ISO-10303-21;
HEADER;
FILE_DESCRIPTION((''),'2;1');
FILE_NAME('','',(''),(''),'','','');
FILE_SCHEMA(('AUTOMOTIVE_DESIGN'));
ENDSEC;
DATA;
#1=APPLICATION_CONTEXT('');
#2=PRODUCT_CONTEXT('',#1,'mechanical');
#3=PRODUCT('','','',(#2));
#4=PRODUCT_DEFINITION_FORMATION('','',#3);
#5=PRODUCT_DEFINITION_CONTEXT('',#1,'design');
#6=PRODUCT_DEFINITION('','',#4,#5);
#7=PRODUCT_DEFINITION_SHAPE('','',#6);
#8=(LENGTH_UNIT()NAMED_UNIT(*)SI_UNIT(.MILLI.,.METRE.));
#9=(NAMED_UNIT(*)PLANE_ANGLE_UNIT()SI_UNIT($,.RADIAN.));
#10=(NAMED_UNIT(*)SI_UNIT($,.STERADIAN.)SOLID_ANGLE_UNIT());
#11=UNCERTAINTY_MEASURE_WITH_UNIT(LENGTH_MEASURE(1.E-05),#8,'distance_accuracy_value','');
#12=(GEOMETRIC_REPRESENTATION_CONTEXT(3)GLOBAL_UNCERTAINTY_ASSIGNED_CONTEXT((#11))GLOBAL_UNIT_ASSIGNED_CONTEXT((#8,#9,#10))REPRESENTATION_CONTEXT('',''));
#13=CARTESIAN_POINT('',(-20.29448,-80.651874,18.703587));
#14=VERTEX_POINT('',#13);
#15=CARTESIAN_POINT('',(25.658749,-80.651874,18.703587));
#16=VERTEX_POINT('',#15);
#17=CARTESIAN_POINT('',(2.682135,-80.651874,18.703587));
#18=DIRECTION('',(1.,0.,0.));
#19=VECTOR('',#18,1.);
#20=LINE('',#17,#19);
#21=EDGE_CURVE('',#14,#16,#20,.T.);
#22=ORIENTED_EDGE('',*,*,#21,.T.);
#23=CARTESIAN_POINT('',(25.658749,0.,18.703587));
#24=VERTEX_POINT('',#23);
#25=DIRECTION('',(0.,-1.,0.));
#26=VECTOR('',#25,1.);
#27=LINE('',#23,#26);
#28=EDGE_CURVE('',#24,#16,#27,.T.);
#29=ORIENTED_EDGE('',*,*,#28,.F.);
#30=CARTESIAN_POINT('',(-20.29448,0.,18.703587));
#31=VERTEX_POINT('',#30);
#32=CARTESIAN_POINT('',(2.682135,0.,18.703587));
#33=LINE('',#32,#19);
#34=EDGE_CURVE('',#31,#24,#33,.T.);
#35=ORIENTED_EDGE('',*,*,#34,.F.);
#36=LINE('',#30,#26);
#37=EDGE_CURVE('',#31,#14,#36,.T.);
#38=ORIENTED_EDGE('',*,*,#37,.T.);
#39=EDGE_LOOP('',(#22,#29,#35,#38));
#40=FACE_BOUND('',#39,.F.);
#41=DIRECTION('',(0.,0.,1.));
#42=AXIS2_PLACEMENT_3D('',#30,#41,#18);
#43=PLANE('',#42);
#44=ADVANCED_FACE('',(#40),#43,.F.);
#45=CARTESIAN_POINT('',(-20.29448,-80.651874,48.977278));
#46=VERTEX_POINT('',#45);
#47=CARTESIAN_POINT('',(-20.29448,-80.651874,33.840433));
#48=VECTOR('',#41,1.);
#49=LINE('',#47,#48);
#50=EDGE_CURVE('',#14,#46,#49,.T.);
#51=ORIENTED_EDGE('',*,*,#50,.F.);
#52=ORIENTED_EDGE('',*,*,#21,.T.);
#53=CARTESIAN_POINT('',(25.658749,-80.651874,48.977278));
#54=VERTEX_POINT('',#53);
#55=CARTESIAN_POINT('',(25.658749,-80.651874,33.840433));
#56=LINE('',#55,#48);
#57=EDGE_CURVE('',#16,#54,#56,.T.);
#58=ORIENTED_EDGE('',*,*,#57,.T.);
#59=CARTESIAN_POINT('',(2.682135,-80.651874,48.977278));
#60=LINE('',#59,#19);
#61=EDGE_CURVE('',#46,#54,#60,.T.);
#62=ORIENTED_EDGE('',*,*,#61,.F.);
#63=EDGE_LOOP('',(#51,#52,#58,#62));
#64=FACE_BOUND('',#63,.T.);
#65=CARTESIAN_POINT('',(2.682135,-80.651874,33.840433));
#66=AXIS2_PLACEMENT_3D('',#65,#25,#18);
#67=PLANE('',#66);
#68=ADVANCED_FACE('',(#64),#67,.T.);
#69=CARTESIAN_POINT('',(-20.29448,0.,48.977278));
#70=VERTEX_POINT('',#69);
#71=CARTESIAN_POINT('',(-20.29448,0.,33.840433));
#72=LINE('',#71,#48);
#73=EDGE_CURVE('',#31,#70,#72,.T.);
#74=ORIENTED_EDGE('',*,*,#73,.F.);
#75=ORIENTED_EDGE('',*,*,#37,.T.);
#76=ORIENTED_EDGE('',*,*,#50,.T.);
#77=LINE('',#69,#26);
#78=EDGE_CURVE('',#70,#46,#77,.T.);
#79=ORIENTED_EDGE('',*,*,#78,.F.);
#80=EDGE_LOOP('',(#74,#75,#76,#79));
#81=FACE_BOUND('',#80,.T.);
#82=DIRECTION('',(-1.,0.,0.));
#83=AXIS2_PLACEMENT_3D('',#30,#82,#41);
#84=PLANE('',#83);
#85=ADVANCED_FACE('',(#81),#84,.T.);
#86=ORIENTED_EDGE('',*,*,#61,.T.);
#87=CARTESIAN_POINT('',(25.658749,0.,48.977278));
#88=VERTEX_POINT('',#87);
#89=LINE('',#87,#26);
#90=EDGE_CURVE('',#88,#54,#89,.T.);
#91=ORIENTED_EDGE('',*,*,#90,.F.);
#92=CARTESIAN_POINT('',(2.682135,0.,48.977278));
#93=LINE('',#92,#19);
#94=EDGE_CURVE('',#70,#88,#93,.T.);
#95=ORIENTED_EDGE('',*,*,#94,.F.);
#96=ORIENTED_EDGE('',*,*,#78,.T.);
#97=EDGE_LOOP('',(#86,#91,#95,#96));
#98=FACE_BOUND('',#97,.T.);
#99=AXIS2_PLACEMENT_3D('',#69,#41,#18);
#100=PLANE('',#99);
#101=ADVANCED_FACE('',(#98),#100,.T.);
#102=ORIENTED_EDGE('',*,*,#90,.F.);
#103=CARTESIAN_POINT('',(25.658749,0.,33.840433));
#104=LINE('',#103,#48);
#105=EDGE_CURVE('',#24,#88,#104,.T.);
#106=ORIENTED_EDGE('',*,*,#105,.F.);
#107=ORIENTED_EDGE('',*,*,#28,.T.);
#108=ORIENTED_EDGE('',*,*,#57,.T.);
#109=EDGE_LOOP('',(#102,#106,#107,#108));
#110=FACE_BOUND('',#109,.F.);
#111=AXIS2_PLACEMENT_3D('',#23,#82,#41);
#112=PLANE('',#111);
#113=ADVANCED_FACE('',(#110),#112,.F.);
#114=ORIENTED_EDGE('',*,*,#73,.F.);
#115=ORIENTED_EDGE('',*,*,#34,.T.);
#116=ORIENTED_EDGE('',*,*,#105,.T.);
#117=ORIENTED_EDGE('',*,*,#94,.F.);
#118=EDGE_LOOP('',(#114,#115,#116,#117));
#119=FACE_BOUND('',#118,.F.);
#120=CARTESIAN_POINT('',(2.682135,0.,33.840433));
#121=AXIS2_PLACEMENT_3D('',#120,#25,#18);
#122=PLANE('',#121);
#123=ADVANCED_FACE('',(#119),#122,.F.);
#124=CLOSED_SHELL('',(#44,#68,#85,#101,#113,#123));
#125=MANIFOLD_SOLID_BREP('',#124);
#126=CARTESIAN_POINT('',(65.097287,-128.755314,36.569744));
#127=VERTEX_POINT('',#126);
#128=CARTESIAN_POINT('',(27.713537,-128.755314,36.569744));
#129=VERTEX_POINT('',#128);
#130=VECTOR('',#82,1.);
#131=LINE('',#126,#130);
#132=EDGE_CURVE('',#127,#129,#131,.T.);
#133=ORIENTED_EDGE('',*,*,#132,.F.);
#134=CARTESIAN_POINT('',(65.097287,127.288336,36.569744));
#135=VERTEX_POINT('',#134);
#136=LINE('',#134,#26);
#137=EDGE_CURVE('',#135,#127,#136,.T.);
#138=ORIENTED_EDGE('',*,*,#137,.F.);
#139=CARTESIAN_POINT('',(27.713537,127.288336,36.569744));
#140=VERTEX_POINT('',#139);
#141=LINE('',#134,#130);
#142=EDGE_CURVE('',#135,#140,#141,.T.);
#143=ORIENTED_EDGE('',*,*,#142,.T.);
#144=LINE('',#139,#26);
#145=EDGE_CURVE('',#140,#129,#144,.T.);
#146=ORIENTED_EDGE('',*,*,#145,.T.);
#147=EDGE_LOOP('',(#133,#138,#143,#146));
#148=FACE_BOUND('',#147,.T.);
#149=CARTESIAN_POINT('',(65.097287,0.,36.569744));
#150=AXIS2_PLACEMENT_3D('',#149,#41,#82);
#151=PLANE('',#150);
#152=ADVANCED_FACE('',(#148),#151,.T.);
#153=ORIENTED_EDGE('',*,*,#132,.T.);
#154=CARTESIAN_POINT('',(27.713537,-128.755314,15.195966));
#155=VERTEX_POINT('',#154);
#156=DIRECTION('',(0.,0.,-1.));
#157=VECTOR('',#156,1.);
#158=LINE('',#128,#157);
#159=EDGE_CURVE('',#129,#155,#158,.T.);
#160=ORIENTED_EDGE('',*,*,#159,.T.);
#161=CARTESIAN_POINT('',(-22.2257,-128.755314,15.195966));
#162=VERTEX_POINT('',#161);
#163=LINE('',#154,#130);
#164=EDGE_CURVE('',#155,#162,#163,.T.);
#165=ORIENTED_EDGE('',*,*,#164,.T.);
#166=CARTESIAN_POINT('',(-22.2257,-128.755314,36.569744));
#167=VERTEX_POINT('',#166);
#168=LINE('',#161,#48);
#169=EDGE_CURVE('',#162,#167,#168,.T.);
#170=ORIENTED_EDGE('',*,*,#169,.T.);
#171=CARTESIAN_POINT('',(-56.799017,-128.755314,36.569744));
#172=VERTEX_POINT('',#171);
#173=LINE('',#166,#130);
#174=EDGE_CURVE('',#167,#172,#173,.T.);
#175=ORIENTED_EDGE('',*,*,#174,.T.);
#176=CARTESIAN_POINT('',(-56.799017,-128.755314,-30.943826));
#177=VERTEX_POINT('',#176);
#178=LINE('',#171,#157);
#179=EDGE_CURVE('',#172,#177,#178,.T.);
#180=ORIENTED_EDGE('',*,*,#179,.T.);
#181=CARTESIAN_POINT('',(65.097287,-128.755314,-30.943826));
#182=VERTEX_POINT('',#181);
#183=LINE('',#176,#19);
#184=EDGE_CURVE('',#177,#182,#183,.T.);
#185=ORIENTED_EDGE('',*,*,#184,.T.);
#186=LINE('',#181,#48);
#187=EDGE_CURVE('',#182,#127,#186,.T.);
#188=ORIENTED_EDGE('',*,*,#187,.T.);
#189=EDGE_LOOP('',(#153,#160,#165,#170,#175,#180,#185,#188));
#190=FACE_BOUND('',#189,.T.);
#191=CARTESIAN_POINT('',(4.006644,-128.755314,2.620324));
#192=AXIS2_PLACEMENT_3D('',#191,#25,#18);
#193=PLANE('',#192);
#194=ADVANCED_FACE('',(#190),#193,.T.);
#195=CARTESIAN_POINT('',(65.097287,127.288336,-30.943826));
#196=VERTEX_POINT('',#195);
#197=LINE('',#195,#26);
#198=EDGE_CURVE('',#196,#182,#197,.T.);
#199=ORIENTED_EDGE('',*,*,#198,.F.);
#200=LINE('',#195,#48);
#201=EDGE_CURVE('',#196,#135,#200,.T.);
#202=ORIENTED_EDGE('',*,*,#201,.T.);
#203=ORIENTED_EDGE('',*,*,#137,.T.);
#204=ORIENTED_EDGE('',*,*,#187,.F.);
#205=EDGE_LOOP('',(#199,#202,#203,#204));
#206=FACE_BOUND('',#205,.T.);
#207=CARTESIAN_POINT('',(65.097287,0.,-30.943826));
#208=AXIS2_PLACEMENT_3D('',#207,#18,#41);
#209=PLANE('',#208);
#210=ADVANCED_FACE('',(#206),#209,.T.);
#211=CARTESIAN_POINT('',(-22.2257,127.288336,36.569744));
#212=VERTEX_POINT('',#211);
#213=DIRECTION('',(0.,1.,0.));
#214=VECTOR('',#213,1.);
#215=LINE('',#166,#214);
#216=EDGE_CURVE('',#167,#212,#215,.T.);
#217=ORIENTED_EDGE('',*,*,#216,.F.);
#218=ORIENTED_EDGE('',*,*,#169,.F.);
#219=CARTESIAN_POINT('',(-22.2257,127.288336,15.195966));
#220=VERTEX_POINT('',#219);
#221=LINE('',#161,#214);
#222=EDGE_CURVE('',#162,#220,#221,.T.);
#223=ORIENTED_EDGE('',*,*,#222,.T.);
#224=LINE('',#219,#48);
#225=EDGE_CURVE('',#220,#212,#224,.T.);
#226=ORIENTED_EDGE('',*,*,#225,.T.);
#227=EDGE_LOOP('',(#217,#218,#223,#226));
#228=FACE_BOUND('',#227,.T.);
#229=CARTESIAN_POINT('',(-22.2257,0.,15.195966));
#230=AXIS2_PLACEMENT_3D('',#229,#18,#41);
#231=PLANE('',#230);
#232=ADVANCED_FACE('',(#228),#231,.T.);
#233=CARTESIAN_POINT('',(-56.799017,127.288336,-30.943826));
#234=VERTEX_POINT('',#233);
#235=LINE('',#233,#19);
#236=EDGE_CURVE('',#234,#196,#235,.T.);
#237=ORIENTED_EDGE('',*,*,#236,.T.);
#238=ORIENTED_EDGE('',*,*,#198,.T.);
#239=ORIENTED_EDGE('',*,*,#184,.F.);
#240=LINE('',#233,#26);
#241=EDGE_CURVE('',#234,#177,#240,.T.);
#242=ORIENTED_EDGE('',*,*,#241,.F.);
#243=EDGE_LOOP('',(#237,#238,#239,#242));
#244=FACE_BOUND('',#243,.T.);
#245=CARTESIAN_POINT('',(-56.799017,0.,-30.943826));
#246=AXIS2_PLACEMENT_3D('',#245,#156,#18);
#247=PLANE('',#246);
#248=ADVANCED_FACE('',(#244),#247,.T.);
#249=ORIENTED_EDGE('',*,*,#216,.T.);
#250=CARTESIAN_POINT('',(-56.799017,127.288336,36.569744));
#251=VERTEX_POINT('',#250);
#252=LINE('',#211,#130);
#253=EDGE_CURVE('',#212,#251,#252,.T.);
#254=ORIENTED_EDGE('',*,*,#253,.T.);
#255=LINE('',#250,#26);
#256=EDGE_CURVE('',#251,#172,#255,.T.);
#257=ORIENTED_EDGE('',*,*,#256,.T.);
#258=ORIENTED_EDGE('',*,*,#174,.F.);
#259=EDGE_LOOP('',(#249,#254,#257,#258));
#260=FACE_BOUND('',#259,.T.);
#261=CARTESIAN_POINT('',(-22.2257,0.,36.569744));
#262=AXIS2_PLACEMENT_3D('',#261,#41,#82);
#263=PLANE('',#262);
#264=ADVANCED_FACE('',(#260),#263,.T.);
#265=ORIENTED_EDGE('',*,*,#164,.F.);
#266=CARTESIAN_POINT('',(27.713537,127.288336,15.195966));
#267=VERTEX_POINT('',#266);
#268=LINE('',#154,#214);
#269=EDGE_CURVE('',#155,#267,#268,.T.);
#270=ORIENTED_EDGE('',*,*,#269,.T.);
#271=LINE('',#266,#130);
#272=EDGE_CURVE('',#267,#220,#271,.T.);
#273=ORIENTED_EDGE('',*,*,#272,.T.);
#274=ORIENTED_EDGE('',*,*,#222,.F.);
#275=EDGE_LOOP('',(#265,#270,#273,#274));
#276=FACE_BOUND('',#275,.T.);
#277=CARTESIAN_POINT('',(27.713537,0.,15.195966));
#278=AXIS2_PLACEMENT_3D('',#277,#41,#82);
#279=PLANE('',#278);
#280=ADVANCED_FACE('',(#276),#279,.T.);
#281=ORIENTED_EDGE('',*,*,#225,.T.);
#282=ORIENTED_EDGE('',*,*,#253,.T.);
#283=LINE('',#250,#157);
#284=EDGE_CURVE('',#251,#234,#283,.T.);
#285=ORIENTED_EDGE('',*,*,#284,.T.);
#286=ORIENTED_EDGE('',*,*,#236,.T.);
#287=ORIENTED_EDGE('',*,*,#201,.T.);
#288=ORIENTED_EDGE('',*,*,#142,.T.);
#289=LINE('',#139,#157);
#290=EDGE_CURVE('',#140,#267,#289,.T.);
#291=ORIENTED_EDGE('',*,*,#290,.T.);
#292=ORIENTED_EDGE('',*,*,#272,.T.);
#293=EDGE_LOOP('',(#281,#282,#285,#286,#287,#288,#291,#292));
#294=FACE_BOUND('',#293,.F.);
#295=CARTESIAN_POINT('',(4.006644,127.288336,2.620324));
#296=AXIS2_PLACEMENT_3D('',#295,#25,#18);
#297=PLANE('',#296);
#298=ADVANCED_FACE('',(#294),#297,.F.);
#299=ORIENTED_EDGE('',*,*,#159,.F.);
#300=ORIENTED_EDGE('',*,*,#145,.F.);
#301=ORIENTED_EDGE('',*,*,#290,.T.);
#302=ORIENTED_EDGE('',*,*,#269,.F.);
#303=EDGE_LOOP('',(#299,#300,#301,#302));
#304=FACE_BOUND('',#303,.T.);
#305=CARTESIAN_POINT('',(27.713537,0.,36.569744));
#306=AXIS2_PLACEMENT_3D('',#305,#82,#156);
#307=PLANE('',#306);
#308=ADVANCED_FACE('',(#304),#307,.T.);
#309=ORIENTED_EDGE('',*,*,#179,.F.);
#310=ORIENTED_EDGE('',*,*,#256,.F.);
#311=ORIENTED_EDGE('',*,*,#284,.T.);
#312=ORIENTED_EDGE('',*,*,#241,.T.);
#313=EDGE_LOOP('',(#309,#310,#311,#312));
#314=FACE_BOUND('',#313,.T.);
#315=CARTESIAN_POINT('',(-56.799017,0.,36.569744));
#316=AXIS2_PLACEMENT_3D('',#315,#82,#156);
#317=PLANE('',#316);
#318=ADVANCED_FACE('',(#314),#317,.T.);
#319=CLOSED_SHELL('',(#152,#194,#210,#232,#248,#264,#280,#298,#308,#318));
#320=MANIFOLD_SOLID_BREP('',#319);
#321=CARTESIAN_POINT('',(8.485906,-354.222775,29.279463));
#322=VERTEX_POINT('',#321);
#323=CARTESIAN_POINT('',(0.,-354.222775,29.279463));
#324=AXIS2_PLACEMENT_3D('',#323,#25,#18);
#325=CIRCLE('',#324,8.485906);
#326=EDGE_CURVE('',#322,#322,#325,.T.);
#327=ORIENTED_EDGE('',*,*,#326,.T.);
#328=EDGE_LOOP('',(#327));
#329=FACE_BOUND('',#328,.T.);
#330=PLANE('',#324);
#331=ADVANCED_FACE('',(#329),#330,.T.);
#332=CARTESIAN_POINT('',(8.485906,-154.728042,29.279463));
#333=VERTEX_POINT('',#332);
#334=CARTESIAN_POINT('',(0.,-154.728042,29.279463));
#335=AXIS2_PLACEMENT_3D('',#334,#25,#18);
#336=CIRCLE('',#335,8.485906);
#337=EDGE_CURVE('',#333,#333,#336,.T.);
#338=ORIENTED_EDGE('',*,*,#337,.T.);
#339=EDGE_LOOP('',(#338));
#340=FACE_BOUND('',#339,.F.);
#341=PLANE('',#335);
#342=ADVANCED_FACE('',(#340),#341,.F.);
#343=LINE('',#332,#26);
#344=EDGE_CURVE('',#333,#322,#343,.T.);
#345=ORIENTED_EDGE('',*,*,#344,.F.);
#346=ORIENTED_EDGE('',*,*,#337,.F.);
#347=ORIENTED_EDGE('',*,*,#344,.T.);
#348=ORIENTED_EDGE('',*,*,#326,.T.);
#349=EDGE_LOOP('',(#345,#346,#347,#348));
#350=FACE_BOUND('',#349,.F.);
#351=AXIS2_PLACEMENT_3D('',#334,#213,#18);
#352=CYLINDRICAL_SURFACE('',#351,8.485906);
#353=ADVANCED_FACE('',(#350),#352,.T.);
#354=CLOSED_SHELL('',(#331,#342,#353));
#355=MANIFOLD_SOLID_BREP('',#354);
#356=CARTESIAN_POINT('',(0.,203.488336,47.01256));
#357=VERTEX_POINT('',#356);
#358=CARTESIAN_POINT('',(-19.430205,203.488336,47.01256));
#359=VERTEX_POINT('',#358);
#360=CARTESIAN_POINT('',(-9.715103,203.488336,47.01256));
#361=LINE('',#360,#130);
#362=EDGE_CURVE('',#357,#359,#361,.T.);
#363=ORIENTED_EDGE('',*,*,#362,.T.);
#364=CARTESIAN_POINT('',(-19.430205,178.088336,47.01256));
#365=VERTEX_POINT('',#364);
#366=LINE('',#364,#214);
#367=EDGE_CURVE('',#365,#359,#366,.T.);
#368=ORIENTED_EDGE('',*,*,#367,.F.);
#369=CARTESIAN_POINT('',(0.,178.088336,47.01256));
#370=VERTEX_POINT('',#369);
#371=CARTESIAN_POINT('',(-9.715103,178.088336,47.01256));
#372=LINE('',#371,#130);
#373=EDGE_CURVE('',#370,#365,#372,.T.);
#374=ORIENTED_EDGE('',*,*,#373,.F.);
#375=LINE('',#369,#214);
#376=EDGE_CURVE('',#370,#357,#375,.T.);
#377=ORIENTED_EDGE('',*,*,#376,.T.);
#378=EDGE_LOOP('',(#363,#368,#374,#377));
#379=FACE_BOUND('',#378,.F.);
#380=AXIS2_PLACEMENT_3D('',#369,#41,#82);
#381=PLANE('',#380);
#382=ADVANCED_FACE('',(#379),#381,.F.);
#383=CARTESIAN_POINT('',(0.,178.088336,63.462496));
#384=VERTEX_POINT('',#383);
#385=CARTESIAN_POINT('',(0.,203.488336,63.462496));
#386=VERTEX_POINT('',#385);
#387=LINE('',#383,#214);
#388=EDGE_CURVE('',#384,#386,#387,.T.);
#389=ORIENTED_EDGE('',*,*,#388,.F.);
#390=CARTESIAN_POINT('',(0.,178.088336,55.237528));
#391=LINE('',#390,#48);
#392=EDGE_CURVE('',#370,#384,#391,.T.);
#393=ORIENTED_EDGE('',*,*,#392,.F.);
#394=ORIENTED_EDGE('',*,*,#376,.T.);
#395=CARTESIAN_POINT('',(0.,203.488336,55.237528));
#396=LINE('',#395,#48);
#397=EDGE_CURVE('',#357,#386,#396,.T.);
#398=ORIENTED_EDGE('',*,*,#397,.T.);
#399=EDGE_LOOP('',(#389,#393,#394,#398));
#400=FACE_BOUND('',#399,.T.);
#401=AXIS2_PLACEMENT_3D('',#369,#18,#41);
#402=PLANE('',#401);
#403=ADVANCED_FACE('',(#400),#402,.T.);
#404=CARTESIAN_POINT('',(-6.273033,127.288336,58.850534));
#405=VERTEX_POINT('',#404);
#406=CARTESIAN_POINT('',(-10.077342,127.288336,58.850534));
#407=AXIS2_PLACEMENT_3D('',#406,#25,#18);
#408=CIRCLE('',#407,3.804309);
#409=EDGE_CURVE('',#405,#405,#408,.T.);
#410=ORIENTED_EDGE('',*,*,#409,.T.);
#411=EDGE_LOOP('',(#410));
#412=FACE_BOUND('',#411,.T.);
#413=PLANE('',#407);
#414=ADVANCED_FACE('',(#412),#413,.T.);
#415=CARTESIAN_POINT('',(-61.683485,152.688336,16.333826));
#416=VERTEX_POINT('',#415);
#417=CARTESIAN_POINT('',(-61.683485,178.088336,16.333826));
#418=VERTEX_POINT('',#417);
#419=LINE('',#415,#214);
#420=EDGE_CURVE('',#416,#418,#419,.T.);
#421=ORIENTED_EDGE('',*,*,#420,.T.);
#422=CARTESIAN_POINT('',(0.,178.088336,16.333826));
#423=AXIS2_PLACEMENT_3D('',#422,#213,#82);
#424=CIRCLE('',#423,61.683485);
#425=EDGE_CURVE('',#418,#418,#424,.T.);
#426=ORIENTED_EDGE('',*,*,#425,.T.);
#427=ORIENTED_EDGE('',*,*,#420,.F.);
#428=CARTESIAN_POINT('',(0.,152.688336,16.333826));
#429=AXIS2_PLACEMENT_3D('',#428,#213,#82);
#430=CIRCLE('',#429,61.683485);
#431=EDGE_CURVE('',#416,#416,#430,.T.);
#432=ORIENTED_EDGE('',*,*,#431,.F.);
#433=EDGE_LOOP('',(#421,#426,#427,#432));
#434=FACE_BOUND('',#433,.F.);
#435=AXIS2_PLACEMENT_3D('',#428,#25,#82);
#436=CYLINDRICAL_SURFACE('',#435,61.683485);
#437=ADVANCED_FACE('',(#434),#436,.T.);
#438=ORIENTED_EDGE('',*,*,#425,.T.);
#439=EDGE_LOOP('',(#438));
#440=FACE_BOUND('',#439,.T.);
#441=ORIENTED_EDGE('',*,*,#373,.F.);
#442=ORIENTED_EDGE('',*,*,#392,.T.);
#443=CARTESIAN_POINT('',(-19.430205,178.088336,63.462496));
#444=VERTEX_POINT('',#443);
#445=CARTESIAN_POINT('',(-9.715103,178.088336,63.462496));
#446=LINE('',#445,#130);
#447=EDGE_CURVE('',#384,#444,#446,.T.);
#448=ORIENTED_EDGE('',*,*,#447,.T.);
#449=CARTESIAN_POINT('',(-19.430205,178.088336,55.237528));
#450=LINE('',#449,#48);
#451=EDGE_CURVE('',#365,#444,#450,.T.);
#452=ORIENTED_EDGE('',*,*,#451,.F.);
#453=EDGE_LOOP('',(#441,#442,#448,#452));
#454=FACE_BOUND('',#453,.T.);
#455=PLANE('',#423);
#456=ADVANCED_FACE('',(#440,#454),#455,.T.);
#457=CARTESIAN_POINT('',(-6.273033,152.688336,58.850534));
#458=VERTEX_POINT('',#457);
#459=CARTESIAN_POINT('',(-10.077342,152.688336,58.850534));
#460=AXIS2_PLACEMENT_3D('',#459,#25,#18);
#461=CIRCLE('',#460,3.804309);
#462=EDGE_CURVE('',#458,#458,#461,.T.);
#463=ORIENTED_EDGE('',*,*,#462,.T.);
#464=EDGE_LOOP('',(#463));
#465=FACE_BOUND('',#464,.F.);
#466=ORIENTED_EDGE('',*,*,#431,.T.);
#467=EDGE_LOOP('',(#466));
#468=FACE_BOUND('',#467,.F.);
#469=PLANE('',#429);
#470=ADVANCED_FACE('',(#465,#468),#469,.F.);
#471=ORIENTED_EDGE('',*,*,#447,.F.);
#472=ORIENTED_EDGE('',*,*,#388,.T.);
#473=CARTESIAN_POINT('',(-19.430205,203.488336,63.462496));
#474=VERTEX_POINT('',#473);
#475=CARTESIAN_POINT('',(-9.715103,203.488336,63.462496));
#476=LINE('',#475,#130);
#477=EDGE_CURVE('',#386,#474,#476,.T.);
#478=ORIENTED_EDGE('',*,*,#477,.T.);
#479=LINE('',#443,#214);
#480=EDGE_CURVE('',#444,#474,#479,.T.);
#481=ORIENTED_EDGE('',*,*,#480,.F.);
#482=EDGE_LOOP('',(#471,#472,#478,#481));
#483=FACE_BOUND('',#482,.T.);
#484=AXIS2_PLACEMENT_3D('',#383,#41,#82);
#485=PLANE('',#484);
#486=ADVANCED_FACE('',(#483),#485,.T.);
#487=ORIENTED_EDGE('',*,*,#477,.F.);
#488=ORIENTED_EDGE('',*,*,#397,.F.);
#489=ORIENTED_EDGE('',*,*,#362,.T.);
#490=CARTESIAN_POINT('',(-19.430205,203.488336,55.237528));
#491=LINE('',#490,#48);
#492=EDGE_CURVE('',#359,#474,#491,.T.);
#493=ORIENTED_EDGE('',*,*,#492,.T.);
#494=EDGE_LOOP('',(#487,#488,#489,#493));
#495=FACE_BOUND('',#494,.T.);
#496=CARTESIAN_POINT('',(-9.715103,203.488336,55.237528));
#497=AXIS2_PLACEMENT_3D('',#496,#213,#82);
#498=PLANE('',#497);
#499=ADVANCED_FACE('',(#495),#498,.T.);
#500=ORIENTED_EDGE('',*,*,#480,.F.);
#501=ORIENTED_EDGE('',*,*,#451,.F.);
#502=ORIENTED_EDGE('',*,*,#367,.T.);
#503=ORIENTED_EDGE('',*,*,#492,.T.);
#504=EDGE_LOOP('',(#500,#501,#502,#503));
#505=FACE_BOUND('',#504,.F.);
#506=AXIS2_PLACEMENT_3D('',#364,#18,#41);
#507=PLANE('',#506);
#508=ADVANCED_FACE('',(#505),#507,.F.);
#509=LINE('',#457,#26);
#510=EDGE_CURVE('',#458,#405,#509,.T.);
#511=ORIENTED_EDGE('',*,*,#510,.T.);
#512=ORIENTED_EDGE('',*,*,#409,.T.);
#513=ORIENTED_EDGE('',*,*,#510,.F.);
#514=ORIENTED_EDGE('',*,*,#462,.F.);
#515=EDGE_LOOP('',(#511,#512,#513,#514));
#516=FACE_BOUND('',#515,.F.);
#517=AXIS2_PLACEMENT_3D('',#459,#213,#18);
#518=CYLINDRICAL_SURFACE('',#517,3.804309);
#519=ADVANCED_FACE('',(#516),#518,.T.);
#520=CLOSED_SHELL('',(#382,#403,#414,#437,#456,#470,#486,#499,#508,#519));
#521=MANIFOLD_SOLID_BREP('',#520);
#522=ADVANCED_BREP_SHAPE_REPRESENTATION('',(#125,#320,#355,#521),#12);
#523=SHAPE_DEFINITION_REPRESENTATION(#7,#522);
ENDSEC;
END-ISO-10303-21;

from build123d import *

# Parameters (mm, degrees)
F1_DEPTH  = 128.7553142756
F2_DEPTH  = 127.2883359343
F3_W      = 45.9532290697
F3_H      = 30.2736908197
F4_DEPTH  = 80.6518737227
F6_R      = 8.4859064115
F7_DEPTH  = 199.4947325438
F9_R      = 61.6834852397
F10_DEPTH = 25.4
F11_W     = 19.4302052259
F11_H     = 16.4499357343
F12_DEPTH = 25.4
F13_R     = 3.8043092938
F14_DEPTH = 25.4


with BuildPart() as f1:
    # F0 (on Front) → F1 (new body)
    with BuildSketch(Plane.XZ):
        Polygon((-22.2257003188, 36.5697443485), (-56.7990168929, 36.5697443485), (-56.7990168929, -30.943825841), (65.0972872972, -30.943825841), (65.0972872972, 36.5697443485), (27.7135372162, 36.5697443485), (27.7135372162, 15.1959657669), (-22.2257003188, 15.1959657669), align=None)
    extrude(amount=F1_DEPTH)

    # F2 (add): a face of the model
    f2_faces = [f1.faces().sort_by_distance(p)[0] for p in [
        (4.3585542487, 0, -0.6251406493),
    ]]
    extrude(f2_faces, amount=F2_DEPTH)


with BuildPart() as f4:
    # F3 (on Front) → F4 (new body)
    with BuildSketch(Plane.XZ):
        with Locations((2.6821345091, 33.8404327631)):
            Rectangle(F3_W, F3_H)
    extrude(amount=F4_DEPTH)


with BuildPart() as f7:
    # F6 (on offset) → F7 (new body)
    with BuildSketch(Plane.XZ.offset(154.7280419618)):
        with Locations((0, 29.2794629931)):
            Circle(F6_R)
    extrude(amount=F7_DEPTH)


with BuildPart() as f10:
    # F9 (on offset) → F10 (new body)
    with BuildSketch(Plane(origin=(0, 152.6883359343, 0), x_dir=(-1, 0, 0), z_dir=(0, 1, 0))):
        with Locations((0, 16.3338258862)):
            Circle(F9_R)
    extrude(amount=F10_DEPTH)

    # F11 (on face) → F12 (join)
    with BuildSketch(Plane(origin=(0, 178.0883359343, 0), x_dir=(-1, 0, 0), z_dir=(0, 1, 0))):
        with Locations((9.715102613, 55.2375279367)):
            Rectangle(F11_W, F11_H)
    extrude(amount=F12_DEPTH)

    # F13 (on face) → F14 (join)
    with BuildSketch(Plane.XZ.offset(-152.6883359343)):
        with Locations((-10.077342391, 58.8505342603)):
            Circle(F13_R)
    extrude(amount=F14_DEPTH)


solid = Compound([f1.part, f4.part, f7.part, f10.part])
